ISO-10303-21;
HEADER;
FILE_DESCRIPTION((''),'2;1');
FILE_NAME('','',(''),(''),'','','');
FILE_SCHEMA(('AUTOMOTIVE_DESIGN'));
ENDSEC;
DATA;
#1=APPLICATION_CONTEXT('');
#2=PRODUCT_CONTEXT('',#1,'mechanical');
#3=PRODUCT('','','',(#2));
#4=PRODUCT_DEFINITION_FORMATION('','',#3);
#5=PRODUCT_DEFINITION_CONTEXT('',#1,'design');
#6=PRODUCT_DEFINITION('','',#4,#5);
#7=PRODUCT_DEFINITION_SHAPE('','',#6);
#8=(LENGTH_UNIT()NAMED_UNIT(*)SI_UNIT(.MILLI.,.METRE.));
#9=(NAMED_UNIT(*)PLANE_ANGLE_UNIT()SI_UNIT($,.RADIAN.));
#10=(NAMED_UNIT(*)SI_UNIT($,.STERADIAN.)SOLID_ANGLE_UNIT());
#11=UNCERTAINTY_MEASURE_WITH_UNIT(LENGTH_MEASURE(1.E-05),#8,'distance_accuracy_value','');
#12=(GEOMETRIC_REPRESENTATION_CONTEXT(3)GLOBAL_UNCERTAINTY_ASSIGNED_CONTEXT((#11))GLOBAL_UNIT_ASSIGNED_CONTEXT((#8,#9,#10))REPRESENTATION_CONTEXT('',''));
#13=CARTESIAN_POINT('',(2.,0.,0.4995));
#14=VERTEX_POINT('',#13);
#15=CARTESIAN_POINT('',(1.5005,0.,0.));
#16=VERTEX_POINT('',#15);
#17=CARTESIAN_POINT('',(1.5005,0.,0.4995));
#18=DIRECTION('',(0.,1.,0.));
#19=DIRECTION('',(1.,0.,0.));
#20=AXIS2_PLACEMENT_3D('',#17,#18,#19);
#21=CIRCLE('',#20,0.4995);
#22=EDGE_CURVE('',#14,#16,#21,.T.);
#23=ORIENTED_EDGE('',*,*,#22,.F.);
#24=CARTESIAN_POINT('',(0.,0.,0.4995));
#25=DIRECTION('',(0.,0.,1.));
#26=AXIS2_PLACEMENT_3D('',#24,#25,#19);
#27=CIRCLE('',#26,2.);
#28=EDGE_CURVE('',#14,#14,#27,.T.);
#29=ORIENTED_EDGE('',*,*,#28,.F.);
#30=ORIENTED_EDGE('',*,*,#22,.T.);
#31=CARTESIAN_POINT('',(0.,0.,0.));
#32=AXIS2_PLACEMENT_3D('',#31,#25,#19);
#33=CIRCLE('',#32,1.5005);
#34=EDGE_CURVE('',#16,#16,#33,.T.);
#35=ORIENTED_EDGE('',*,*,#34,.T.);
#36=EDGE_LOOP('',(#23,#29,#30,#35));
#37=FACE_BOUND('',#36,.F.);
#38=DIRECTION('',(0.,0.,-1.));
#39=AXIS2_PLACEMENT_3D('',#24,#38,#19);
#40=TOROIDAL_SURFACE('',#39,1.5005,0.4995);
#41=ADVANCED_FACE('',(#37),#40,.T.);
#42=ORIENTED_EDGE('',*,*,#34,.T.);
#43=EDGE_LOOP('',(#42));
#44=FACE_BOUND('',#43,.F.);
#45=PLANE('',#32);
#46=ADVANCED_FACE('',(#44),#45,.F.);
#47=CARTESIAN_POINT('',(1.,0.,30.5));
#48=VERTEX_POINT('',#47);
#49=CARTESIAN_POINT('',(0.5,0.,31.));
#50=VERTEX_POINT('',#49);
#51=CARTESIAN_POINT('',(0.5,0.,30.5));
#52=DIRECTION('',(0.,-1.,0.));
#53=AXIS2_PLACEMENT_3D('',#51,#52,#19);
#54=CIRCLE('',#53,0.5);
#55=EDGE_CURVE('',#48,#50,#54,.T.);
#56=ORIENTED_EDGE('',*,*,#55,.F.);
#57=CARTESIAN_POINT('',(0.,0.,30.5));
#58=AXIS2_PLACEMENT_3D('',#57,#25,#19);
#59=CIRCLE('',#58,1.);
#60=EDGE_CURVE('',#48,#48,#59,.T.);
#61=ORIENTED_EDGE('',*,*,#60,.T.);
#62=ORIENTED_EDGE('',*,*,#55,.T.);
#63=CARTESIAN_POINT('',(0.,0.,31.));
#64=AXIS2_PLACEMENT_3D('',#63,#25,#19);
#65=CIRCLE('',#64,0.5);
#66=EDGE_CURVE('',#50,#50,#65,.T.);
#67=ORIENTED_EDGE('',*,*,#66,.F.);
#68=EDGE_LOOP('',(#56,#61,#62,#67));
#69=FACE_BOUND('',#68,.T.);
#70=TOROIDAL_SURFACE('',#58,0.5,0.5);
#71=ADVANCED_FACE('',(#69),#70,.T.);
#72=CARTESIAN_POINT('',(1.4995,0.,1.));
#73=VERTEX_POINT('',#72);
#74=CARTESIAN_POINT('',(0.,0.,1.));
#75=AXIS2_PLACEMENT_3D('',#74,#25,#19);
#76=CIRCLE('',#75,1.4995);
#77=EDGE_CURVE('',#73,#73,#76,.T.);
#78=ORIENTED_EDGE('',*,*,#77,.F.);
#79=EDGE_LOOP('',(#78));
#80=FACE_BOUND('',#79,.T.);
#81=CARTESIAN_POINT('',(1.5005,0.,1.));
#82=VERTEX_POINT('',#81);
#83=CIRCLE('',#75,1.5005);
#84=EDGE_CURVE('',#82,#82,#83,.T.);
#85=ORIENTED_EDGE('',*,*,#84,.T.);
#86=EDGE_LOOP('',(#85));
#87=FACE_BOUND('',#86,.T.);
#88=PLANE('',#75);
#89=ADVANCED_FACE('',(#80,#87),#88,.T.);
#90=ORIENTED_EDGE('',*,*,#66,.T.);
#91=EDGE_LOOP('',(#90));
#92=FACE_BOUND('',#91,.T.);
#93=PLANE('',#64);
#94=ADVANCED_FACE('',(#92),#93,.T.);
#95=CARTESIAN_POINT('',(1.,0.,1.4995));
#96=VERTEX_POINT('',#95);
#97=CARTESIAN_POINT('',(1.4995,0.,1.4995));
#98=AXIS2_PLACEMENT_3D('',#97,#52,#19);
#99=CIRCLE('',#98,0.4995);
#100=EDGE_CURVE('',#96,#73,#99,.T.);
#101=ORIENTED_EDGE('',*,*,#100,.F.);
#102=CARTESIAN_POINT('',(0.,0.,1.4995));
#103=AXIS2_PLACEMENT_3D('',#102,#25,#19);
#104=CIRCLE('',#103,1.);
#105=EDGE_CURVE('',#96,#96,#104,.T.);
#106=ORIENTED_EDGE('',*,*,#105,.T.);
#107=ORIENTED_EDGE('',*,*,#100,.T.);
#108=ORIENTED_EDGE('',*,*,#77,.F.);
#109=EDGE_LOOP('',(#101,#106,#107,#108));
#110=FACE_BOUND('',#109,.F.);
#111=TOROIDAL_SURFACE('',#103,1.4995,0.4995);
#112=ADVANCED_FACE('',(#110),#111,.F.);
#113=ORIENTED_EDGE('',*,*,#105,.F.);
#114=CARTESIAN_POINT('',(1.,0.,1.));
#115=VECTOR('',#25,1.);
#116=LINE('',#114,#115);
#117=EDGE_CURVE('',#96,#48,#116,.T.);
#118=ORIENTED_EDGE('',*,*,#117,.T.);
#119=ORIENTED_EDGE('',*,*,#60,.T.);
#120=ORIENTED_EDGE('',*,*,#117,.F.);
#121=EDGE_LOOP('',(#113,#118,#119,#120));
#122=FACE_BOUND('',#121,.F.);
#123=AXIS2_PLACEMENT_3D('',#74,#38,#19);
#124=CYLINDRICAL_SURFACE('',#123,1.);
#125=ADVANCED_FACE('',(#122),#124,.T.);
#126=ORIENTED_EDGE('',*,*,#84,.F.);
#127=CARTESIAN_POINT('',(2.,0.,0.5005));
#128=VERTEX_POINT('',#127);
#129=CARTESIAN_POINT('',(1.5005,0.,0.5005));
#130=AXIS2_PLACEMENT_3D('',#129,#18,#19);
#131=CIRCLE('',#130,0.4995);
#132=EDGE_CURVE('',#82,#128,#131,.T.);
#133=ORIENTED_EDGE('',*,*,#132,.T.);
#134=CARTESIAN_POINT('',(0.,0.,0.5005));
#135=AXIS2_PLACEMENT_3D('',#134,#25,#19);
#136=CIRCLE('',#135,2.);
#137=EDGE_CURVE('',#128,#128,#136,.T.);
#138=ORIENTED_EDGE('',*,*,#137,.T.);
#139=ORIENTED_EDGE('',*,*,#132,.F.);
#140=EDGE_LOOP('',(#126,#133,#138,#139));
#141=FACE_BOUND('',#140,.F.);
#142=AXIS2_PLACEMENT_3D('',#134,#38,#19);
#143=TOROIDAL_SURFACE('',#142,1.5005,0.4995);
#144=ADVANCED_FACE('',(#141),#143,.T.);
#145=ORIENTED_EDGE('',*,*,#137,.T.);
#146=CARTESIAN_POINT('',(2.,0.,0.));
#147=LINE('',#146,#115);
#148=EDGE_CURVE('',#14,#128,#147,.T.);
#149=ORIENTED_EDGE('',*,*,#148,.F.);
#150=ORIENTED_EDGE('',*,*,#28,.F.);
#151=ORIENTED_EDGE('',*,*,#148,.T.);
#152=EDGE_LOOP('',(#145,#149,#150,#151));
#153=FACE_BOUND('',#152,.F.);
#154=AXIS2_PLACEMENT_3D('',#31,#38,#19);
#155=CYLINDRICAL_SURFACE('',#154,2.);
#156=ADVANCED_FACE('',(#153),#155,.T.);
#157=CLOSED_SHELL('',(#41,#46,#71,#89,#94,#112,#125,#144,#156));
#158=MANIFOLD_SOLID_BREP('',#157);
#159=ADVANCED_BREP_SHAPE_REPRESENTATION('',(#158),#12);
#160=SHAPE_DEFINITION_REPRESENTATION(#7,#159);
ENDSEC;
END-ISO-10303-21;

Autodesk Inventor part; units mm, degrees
ref_plane "YZ Plane" through (0, 0, 0) normal (1, 0, 0) x (0, 1, 0)
ref_plane "XZ Plane" through (0, 0, 0) normal (0, 1, 0) x (-1, 0, 0)
ref_plane "XY Plane" through (0, 0, 0) normal (0, 0, 1) x (1, 0, 0)
sketch "Sketch1" plane through (0, 0, 0) normal (0, 0, 1) x (1, 0, 0)
  circle A0 centre (0, 0) radius 2
  dimension "d0" = 4
extrude "Extrusion1" add sketch "Sketch1" along normal blind 1
sketch "Sketch2" plane through (0, 0, 1) normal (0, 0, 1) x (1, 0, 0)
  circle A0 centre (0, 0) radius 1
  dimension "d3" = 2
extrude "Extrusion2" add sketch "Sketch2" along normal blind 30
fillet "Fillet1" radius 0.5 1 edges at (-1, 0, 31)
fillet "Fillet2" radius 0.5 3 edges at (-1, 0, 1) (-2, 0, 1) (-2, 0, 0)
properties part number "ufakpin"
